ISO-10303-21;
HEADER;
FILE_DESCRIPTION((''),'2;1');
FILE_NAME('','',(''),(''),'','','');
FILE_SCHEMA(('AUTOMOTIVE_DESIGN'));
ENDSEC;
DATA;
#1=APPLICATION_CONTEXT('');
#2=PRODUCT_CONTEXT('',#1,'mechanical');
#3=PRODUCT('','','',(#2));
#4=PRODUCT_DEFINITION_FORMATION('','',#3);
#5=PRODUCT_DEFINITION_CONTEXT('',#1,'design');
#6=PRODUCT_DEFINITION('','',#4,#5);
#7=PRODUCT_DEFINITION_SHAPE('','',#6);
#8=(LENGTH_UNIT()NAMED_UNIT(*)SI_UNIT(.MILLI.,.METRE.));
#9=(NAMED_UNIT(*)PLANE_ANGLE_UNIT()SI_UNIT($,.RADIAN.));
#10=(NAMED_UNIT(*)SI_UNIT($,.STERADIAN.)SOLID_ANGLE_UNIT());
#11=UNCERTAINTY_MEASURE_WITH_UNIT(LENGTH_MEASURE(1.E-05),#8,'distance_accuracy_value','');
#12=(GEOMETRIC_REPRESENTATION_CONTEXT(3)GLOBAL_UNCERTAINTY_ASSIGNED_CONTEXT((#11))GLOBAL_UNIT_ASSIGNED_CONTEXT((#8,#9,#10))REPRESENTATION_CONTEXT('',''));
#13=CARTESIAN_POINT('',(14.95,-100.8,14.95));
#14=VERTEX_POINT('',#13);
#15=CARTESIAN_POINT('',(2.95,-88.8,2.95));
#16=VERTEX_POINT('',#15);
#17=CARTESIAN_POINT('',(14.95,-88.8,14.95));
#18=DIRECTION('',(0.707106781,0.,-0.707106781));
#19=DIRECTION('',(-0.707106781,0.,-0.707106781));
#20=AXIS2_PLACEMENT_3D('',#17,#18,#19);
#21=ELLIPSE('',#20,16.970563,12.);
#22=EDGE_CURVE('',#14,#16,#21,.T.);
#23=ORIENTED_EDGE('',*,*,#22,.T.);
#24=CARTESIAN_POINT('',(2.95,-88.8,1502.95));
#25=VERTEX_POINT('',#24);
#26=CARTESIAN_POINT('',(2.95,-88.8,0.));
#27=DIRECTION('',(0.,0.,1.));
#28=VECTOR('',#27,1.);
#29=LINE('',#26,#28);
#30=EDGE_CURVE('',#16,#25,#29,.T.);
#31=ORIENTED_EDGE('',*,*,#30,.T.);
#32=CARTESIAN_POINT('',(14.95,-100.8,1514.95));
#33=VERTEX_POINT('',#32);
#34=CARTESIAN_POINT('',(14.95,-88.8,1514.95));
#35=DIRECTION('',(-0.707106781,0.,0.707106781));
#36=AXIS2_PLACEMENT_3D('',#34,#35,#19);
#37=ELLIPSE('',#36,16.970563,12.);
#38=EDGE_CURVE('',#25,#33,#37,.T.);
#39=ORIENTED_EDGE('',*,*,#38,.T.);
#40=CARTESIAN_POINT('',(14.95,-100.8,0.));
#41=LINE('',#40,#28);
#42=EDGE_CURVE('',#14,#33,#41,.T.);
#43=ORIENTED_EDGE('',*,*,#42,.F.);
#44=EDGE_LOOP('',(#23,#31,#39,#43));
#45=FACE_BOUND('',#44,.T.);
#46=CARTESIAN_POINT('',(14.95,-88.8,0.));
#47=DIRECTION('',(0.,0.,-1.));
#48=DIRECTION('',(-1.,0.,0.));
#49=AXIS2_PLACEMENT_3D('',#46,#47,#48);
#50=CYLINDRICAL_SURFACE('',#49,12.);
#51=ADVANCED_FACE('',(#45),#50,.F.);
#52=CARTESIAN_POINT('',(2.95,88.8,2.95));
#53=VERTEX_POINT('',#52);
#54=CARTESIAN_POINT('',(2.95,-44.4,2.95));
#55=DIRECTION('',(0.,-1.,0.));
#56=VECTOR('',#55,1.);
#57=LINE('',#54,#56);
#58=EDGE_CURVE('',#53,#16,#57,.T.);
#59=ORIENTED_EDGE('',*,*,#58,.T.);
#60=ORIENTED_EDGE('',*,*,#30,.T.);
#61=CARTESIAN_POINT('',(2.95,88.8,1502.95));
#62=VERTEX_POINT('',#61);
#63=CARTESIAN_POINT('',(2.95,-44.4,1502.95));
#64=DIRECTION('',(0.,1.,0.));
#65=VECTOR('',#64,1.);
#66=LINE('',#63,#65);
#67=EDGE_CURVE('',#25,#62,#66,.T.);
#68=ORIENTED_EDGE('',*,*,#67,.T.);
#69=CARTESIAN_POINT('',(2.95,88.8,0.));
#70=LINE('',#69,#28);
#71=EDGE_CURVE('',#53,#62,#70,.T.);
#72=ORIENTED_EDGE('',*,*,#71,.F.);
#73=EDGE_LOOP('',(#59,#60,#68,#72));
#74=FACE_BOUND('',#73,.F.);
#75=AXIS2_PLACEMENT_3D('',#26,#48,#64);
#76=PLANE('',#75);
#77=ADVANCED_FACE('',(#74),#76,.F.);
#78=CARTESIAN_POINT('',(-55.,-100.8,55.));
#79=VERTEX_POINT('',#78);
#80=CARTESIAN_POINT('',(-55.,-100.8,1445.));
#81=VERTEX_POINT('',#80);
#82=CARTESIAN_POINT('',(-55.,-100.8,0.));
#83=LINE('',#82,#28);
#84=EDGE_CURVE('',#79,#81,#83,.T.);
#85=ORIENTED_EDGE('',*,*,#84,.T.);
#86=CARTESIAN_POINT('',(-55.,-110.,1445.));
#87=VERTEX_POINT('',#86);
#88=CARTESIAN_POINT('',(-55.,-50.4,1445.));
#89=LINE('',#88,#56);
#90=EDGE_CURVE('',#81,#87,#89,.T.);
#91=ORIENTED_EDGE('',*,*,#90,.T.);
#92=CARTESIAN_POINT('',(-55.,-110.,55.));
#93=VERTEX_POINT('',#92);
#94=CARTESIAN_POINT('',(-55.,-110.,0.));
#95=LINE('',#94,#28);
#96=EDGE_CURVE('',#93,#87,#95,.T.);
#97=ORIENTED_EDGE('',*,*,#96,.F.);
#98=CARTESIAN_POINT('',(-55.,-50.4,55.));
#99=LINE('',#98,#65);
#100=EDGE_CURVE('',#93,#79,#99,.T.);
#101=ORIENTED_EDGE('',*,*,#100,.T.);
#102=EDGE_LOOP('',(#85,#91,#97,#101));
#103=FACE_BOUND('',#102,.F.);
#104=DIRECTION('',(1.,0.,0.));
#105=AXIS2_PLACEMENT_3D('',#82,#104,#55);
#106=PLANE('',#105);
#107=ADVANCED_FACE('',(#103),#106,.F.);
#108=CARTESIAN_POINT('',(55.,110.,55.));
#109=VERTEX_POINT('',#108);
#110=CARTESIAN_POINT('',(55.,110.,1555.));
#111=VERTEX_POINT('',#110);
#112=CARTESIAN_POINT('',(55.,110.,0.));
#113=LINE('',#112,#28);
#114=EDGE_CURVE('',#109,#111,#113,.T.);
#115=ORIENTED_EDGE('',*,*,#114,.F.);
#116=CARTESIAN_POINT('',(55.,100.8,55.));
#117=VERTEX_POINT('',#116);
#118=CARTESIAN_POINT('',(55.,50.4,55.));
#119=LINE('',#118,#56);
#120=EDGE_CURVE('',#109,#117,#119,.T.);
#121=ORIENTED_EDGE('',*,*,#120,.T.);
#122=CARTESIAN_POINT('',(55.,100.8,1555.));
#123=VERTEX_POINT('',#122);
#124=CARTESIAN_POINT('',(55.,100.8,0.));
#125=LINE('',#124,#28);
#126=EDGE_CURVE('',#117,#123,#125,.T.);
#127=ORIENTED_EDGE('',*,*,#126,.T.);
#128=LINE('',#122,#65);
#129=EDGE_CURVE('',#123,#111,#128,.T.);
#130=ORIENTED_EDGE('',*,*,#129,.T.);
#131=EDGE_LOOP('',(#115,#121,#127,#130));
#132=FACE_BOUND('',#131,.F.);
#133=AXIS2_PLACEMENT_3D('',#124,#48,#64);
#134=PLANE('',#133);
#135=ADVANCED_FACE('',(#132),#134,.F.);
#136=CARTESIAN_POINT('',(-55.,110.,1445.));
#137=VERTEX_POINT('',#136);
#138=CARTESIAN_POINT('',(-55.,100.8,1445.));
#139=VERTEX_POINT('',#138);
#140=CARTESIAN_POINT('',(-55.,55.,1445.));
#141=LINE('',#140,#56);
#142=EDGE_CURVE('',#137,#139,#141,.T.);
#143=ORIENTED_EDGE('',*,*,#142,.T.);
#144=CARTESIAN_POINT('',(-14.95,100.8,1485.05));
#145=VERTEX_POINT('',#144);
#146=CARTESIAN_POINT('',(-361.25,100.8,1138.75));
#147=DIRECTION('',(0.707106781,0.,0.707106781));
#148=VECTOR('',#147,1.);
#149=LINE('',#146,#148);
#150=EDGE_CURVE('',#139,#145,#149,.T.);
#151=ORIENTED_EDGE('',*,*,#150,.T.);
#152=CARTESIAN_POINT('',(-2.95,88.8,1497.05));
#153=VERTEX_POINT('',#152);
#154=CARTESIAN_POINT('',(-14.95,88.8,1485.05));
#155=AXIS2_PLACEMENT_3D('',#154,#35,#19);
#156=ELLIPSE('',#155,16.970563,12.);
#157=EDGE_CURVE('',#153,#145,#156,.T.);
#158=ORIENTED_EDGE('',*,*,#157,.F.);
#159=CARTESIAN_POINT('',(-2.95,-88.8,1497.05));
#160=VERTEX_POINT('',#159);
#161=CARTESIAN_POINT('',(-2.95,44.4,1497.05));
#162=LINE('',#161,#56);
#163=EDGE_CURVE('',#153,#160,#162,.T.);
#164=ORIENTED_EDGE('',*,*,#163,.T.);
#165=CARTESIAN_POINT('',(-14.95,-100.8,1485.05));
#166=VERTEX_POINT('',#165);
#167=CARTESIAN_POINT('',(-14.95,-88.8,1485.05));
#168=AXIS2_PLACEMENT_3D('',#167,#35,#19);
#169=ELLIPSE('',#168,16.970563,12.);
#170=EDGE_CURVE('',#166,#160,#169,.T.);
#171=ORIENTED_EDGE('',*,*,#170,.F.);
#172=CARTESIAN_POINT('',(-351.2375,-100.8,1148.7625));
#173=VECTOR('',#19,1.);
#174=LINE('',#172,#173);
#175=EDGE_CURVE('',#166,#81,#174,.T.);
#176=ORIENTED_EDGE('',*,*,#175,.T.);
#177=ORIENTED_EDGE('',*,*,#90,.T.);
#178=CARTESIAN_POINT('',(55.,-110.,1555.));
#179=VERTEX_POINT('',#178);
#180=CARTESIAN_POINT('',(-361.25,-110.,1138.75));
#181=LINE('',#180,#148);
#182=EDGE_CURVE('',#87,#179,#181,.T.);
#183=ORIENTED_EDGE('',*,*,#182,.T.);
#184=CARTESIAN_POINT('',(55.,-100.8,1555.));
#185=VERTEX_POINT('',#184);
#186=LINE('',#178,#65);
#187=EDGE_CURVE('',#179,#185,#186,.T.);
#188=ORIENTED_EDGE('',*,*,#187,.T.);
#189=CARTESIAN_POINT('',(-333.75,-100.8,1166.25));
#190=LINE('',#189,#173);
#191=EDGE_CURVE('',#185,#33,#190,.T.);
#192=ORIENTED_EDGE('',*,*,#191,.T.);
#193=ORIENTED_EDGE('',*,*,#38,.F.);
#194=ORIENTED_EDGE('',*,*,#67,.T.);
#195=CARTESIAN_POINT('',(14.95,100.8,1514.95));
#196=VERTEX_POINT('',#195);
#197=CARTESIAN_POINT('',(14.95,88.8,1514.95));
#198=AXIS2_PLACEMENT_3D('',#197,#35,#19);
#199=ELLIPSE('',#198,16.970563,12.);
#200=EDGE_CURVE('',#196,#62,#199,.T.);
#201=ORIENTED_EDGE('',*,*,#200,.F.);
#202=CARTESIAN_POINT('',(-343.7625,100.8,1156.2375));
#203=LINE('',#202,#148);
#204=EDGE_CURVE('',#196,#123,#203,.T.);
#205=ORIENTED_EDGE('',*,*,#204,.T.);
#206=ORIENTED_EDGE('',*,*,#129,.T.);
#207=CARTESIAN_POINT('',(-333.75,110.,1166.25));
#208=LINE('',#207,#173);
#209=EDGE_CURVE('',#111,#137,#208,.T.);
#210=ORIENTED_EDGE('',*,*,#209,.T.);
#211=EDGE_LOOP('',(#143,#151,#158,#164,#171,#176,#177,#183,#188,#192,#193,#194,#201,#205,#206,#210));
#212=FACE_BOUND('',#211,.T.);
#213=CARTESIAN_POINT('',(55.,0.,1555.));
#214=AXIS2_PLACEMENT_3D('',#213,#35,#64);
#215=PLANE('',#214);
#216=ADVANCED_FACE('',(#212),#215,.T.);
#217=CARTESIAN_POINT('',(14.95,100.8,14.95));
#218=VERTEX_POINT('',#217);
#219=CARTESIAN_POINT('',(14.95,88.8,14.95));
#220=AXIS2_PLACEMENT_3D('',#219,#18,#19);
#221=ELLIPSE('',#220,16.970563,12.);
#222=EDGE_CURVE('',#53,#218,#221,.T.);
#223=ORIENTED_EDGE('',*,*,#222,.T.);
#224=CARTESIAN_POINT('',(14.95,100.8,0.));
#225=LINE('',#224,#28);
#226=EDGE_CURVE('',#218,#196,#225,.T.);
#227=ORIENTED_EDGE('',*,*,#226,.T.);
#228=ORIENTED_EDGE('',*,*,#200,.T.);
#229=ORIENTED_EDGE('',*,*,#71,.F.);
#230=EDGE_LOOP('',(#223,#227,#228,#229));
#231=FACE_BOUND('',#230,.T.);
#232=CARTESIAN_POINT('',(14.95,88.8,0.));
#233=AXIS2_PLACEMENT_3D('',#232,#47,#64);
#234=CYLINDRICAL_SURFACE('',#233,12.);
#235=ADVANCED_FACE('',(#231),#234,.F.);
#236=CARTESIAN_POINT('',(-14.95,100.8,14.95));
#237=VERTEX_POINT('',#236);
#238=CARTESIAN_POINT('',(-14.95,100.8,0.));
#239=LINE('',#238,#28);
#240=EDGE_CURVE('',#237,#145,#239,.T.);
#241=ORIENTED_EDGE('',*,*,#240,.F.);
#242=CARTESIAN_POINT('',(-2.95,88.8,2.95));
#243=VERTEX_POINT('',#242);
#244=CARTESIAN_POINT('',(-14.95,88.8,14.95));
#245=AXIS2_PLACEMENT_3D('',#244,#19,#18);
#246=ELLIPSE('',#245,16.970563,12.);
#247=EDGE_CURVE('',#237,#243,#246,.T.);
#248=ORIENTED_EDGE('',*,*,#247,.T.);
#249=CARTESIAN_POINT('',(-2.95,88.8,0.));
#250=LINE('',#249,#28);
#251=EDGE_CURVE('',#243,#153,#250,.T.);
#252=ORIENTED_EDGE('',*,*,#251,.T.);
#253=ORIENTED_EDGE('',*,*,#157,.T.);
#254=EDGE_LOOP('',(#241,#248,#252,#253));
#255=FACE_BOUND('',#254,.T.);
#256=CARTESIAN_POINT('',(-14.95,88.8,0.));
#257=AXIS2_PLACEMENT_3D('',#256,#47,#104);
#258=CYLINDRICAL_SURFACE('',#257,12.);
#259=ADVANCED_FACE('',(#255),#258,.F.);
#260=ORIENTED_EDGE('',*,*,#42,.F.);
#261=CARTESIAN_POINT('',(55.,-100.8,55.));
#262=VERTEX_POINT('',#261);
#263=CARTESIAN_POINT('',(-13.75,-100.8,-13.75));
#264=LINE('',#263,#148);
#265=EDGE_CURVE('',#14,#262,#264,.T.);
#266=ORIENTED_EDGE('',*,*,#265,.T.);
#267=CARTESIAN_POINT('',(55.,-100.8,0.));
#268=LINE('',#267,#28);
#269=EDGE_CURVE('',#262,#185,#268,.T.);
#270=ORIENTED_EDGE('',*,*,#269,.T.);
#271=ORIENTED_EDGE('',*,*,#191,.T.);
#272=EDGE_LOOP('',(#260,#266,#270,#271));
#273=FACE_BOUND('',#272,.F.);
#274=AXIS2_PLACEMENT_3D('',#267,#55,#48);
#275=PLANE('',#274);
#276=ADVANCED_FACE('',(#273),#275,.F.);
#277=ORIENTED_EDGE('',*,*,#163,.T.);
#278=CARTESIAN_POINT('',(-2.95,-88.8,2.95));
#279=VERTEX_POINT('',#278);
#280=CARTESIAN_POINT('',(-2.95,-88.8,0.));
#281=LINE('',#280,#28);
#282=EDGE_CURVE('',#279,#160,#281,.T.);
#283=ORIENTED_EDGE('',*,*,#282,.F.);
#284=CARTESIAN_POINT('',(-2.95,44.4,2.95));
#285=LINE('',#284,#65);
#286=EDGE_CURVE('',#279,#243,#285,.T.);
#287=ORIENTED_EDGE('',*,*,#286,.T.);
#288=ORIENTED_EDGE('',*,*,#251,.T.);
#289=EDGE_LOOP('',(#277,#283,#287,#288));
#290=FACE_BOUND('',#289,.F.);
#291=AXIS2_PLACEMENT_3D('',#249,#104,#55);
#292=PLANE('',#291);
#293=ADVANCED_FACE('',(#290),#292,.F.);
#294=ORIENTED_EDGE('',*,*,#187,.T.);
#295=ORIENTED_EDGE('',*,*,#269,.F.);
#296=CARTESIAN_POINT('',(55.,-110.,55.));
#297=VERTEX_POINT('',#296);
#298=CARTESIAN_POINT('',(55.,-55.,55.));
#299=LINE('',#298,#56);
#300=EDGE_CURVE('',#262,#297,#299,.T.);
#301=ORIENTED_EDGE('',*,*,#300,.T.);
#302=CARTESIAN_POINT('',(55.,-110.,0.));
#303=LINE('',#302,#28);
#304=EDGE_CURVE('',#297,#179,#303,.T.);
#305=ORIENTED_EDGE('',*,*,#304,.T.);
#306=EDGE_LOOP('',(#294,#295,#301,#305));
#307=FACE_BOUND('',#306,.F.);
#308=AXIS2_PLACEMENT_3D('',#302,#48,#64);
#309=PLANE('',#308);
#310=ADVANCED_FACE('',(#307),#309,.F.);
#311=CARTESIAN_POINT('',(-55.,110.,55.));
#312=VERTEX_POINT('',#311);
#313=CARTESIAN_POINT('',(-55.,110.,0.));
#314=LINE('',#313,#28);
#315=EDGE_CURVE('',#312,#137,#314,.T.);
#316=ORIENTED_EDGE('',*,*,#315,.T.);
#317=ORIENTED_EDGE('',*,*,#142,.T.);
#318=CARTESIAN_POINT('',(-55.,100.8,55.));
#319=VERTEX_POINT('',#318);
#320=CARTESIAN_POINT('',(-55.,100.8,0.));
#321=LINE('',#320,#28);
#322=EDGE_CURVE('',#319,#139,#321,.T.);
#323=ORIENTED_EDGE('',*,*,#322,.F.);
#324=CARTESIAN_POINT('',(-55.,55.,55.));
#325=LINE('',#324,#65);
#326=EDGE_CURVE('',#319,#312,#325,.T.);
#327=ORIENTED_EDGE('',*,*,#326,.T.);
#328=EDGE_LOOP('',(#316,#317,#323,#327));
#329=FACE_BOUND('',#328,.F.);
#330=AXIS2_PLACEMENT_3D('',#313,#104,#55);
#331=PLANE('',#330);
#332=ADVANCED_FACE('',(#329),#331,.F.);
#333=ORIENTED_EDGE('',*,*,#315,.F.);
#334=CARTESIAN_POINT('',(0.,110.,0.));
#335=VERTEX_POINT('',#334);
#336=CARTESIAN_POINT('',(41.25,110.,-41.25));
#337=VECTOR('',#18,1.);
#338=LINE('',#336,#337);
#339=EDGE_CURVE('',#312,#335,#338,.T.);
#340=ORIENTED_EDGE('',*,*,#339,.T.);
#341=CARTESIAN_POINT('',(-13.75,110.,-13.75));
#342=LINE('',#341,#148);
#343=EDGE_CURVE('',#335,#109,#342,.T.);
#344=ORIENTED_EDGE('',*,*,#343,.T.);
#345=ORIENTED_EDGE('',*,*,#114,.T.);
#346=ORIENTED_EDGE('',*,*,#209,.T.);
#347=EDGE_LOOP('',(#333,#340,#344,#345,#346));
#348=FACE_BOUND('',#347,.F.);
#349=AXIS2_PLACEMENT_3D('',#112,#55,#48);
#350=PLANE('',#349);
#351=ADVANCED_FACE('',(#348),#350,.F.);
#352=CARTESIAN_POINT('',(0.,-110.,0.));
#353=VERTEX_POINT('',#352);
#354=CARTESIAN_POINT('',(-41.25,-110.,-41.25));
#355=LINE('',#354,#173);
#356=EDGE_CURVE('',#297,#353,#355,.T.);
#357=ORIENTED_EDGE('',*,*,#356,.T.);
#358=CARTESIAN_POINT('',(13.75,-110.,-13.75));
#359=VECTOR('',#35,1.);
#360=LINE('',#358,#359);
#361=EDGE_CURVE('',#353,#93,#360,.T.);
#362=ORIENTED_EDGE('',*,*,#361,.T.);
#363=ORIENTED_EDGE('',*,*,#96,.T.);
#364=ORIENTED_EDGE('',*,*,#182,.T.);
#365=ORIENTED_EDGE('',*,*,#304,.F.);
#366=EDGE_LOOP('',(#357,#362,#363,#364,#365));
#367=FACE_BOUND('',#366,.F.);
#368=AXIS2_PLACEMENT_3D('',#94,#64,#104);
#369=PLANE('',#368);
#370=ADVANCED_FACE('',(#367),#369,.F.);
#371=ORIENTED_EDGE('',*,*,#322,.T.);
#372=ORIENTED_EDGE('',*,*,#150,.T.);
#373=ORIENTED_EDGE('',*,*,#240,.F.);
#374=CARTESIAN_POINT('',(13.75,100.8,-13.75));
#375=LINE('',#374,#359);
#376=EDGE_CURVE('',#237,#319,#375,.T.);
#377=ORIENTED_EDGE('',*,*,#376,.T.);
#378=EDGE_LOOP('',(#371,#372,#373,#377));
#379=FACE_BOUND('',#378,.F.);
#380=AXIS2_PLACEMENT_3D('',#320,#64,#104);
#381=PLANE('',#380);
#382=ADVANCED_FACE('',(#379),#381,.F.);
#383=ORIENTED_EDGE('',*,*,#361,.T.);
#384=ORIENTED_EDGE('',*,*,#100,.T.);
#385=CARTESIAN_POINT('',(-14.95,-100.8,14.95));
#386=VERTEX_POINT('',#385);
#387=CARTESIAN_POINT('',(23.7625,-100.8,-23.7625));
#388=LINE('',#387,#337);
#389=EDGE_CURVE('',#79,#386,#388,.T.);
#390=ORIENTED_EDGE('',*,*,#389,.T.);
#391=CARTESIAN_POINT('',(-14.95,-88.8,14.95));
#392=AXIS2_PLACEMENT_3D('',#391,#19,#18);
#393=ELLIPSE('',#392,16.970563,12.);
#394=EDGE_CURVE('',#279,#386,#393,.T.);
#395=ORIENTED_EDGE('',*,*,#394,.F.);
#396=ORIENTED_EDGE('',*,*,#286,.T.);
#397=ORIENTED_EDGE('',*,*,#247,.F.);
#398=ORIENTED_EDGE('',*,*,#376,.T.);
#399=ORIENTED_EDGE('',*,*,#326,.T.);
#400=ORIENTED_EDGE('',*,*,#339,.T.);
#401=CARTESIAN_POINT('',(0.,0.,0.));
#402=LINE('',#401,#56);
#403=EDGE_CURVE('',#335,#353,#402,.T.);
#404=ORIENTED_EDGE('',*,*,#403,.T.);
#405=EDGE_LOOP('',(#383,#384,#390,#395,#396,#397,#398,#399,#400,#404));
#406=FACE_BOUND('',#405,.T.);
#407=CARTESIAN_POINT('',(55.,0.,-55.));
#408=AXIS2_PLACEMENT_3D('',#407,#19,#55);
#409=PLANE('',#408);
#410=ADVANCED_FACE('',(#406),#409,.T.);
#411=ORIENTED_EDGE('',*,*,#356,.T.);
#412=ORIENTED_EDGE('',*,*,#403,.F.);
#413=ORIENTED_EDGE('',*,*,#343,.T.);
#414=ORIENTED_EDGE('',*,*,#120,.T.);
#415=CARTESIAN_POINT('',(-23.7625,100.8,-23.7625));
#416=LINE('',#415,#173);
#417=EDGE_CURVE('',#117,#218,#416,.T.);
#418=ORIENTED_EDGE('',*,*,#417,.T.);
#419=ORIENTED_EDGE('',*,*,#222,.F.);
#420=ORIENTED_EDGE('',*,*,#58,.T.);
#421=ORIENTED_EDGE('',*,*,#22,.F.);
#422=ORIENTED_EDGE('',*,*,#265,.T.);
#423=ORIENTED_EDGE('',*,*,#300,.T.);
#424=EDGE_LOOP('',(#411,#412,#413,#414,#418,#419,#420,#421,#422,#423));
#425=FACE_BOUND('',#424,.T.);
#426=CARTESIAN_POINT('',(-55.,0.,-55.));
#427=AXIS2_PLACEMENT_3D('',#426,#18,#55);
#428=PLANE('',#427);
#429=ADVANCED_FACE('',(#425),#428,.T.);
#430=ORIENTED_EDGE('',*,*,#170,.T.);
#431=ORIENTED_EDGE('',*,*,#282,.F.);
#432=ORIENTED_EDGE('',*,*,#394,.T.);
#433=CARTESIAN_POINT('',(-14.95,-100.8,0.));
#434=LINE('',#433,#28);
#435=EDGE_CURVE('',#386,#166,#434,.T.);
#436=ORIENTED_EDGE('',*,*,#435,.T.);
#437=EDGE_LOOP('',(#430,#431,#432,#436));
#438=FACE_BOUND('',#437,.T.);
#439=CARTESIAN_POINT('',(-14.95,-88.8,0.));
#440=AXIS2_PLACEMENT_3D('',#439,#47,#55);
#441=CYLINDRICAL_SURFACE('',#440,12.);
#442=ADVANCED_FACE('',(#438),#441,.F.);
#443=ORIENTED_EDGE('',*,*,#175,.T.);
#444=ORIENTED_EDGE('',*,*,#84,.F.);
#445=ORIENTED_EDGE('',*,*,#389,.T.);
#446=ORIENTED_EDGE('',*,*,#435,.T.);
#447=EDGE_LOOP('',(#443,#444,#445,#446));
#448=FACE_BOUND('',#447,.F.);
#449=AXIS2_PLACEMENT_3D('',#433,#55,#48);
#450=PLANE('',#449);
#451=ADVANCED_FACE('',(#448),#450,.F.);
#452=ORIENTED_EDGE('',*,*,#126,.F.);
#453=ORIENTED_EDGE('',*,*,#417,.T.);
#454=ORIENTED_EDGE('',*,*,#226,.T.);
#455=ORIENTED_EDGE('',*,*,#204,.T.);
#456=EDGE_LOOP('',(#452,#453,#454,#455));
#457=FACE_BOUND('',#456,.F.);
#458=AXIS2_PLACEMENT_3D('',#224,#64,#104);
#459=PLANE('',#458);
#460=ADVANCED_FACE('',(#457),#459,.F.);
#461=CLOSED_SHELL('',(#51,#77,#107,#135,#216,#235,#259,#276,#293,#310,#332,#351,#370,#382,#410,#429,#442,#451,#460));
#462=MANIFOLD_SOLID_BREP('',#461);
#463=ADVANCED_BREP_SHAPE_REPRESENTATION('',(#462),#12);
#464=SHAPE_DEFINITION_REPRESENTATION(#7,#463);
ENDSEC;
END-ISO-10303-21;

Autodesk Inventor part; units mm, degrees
ref_plane "Start plane" through (0, 0, 0) normal (0, 0, 1) x (1, 0, 0)
ref_plane "End plane" through (0, 0, 1555) normal (0, 0, 1) x (1, 0, 0)
sketch "Sketch2" plane through (0, 0, 0) normal (0, 0, 1) x (1, 0, 0)
  line L0 (-55, 100.8) -> (-14.95, 100.8)
  line L1 (-55, 110) -> (-55, 100.8)
  line L2 (55, 110) -> (-55, 110)
  line L3 (55, 100.8) -> (55, 110)
  line L4 (14.95, 100.8) -> (55, 100.8)
  line L5 (2.95, -88.8) -> (2.95, 88.8)
  line L6 (55, -100.8) -> (14.95, -100.8)
  line L7 (55, -110) -> (55, -100.8)
  line L8 (-55, -100.8) -> (-55, -110)
  line L9 (-14.95, -100.8) -> (-55, -100.8)
  line L10 (-2.95, 88.8) -> (-2.95, -88.8)
  line L11 (0, -154) -> (0, 154) construction
  line L12 (-2.95, -100.8) -> (2.95, -100.8) construction
  arc A0 (-14.95, -100.8) -> (-2.95, -88.8) centre (-14.95, -88.8) ccw
  arc A1 (-2.95, 88.8) -> (-14.95, 100.8) centre (-14.95, 88.8) ccw
  arc A2 (14.95, 100.8) -> (2.95, 88.8) centre (14.95, 88.8) ccw
  arc A3 (2.95, -88.8) -> (14.95, -100.8) centre (14.95, -88.8) ccw
  line L13 (-77, 0) -> (77, 0) construction
  line L14 (-55, -110) -> (55, -110)
  point P0 (-2.95, 100.8)
  point P1 (2.95, 100.8)
  point P2 (0, 0)
  point P3 (0, -100.8)
  point P4 (0, 0)
  dimension "d1" = 220
  dimension "d3" = 9.2
  dimension "d5" = 5.9
  dimension "d7" = 110
  dimension "d13" = 12
  dimension "d14" = 110
  dimension "d15" = 55
extrude "Body" add sketch "Sketch2" along normal up to surface (1555 mm away) from surface at 0
sketch "Sketch3" plane through (0, 0, 0) normal (0, 0, 1) x (1, 0, 0)
  line L0 (0, 0) -> (10, 0)
ref_plane "Work Plane3" through (0, 0, 0) normal (0, -1, 0) x (1, 0, 0)
ref_plane "Work Plane4" through (55, 0, -55) normal (-0.7071, 0, -0.7071) x (-0.7071, 0, 0.7071)
split "Split1" plane through (55, 0, -55) removes the side toward (-0.7071, 0, -0.7071)
ref_plane "Work Plane5" through (55, 0, 1555) normal (-0.7071, 0, 0.7071) x (0.7071, 0, 0.7071)
split "Split2" plane through (55, 0, 1555) removes the side toward (-0.7071, 0, 0.7071)
ref_plane "Work Plane6" through (-55, 0, -55) normal (0.7071, 0, -0.7071) x (-0.7071, 0, -0.7071)
split "Split3" plane through (-55, 0, -55) removes the side toward (0.7071, 0, -0.7071)
sketch "Sketch4" plane through (0, 0, 0) normal (0, -1, 0) x (1, 0, 0)
  line L0 (-2, 0) -> (12, 0) projected
  line L1 (-2, 1555) -> (12, 1555) projected
  dimension "d19" = 1555
equation "\"d1\" = ParH"
equation "\"d3\" = t2"
equation "\"d5\" = t1"
equation "\"d7\" = b"
equation "\"d13\" = R1"
equation "\"d14\" = 0.5 * d1"
equation "\"d15\" = 0.5 * d7"
equation "\"d8\" = G_L"
equation "\"b\" = 110"
equation "\"ParH\" = 220"
equation "\"R1\" = 12"
equation "\"G_L\" = d19"
equation "\"t1\" = 5.9"
equation "\"t2\" = 9.2"
equation "\"G_OFFSET_START\" = 0"
equation "\"G_OFFSET_END\" = 55"
equation "\"d17\" = G_OFFSET_END + B_L"
equation "\"B_L\" = 1500"
properties part number "DIN 1025 - IPE 220-1555" material "Steel, Mild"
